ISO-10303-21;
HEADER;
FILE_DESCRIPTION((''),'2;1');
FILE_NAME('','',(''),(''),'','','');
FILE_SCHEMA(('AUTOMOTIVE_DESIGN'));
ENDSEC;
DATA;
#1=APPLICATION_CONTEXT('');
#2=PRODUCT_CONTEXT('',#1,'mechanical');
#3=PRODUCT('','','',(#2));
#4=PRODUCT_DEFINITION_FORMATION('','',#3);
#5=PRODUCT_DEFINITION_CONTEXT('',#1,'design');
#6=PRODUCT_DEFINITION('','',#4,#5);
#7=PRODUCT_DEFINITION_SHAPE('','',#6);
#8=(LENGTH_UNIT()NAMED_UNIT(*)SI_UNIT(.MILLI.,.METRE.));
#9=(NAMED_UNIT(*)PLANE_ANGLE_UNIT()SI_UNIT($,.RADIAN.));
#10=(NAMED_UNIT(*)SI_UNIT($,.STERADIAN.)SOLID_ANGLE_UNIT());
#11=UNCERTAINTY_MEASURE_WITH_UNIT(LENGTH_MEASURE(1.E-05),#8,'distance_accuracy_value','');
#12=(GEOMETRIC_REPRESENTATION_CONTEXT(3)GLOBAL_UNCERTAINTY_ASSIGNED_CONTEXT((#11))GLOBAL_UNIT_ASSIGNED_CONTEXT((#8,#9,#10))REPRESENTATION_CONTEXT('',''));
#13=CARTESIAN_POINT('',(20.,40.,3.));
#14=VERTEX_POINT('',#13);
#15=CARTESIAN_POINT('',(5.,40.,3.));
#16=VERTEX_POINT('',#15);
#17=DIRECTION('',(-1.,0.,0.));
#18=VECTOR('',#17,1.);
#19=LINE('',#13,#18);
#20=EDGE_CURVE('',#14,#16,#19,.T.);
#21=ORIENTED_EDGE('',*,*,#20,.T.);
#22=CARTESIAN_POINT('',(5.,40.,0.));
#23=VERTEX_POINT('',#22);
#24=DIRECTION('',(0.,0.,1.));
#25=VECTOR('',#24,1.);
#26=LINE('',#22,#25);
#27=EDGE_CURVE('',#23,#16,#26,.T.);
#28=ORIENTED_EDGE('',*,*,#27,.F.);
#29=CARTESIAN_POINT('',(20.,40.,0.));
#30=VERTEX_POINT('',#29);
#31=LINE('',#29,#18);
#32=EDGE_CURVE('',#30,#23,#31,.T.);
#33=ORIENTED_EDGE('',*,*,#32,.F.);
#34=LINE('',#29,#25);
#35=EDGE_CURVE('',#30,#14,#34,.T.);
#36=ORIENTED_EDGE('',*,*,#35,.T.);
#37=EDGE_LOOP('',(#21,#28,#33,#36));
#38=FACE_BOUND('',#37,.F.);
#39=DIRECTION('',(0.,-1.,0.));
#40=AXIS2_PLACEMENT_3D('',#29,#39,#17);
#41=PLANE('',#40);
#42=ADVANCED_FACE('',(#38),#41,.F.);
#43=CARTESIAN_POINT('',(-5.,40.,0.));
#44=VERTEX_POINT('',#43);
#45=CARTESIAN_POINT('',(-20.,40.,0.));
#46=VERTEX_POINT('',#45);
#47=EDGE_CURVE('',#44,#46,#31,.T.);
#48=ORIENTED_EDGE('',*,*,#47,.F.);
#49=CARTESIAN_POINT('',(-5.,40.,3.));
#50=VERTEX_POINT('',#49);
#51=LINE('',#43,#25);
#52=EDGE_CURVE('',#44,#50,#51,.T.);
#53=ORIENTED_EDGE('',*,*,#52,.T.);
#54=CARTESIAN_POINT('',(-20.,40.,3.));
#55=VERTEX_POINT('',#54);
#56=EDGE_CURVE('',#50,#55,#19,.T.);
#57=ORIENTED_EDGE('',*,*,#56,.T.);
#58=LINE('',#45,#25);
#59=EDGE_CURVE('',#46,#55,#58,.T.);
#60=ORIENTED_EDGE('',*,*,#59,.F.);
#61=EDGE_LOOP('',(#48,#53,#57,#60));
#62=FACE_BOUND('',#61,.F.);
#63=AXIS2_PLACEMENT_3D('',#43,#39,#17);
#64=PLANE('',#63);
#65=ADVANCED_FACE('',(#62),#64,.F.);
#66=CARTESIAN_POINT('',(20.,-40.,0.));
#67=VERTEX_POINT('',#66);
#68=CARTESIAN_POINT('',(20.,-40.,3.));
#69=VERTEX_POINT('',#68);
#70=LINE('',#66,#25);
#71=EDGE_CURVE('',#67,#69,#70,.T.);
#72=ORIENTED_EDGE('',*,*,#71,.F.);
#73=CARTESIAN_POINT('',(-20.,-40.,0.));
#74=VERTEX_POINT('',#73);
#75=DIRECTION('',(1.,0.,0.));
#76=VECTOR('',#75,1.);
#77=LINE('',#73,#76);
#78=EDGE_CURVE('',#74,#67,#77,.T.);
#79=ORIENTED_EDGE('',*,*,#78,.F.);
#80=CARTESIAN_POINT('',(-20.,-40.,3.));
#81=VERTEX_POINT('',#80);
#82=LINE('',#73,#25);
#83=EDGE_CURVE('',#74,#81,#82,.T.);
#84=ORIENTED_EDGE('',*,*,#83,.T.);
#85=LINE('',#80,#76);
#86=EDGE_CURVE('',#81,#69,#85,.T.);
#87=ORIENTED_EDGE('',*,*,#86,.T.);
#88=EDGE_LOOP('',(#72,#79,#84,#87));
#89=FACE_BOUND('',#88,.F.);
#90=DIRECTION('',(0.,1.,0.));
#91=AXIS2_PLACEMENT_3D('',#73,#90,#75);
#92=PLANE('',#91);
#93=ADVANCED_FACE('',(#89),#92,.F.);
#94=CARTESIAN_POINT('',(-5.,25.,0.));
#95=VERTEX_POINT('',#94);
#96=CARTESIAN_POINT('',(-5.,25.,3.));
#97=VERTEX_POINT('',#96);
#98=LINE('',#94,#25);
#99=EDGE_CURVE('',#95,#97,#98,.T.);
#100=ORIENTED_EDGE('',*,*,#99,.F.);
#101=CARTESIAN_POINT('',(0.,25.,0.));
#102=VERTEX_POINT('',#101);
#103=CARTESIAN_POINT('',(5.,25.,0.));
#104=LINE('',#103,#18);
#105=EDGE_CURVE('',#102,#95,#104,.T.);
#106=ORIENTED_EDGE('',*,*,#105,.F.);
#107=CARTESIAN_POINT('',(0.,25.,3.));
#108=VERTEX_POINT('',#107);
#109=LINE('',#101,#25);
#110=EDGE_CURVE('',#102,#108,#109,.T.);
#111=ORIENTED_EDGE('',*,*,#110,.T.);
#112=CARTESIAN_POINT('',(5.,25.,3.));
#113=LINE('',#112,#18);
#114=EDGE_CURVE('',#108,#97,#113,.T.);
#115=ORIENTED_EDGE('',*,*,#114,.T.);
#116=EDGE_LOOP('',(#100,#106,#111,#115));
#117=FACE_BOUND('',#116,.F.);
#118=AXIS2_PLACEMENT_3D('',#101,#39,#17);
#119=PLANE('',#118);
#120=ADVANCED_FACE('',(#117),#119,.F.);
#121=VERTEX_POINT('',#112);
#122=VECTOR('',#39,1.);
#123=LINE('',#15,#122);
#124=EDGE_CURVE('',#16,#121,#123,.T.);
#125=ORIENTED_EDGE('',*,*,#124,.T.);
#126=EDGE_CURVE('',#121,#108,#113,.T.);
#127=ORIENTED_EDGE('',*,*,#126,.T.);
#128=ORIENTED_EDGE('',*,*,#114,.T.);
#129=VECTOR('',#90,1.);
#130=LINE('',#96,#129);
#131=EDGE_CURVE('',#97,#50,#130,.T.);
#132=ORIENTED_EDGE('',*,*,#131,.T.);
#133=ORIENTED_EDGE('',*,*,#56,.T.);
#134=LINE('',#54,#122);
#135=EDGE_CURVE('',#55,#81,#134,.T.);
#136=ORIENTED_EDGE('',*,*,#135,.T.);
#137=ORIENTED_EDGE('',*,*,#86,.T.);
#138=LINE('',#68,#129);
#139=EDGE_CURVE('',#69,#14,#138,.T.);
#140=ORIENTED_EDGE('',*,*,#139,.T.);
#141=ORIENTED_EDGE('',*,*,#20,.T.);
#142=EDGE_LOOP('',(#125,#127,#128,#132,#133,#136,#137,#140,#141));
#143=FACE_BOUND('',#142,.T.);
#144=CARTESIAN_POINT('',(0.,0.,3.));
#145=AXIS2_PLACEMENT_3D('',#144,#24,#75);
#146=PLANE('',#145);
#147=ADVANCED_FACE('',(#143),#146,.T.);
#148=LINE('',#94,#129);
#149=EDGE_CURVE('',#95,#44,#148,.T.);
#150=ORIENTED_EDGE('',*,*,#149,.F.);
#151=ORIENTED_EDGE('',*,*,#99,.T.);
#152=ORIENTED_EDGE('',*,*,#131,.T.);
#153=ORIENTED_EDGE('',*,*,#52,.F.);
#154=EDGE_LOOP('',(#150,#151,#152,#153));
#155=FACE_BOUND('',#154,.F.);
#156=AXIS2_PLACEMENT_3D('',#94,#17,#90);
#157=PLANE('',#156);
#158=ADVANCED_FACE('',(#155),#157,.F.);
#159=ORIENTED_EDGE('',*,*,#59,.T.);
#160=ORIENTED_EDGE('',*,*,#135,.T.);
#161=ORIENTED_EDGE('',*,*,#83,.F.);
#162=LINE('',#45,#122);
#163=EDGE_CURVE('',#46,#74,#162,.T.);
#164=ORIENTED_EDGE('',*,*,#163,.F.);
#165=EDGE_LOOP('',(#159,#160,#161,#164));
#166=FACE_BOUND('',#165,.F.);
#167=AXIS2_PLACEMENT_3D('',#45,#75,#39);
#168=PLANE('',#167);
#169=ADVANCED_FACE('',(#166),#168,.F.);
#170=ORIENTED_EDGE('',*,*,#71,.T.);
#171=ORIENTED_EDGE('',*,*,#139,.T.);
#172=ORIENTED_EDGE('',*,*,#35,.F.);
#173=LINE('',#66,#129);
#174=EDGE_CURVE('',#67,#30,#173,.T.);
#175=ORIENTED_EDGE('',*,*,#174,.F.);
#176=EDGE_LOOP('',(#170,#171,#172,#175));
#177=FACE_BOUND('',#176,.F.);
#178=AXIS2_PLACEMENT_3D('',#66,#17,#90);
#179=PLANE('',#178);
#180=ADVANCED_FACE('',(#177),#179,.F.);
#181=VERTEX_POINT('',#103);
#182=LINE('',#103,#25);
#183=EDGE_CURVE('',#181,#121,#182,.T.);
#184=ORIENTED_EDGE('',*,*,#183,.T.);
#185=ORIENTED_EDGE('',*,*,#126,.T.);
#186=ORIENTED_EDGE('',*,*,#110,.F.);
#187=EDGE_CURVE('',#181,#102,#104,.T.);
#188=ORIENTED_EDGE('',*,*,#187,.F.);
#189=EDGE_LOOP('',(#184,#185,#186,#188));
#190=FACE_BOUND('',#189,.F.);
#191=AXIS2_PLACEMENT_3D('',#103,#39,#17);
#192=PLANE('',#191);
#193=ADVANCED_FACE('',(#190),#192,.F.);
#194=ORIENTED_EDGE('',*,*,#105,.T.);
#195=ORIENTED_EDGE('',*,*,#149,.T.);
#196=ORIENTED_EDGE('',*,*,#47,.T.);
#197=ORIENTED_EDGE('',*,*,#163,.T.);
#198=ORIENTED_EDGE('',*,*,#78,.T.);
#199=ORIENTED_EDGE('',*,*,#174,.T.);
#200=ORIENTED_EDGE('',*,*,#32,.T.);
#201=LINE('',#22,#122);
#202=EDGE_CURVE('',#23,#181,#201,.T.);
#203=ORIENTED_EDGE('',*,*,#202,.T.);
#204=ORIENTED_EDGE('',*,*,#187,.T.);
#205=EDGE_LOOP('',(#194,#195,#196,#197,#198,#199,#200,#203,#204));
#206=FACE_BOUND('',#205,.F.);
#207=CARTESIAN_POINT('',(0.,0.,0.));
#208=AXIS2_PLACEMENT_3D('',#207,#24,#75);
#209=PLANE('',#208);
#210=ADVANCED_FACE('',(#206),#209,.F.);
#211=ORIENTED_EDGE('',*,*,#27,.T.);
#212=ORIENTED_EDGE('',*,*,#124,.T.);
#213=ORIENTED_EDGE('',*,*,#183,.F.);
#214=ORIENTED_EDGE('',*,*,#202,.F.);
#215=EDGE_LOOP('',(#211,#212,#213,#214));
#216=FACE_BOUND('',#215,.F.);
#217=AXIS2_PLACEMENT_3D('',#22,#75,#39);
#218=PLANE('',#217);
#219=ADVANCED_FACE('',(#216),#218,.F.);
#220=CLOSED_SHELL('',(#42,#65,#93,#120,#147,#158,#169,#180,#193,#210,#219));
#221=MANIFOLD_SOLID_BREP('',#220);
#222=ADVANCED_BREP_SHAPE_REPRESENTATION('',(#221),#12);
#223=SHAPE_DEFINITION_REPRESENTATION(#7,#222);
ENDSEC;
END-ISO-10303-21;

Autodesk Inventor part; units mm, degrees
ref_plane "YZ Plane" through (0, 0, 0) normal (1, 0, 0) x (0, 1, 0)
ref_plane "XZ Plane" through (0, 0, 0) normal (0, 1, 0) x (-1, 0, 0)
ref_plane "XY Plane" through (0, 0, 0) normal (0, 0, 1) x (1, 0, 0)
sketch "Sketch1" plane through (0, 0, 0) normal (0, 0, 1) x (1, 0, 0)
  line L0 (-20, -40) -> (20, -40)
  line L1 (20, -40) -> (20, 40)
  line L2 (20, 40) -> (-20, 40)
  line L3 (-20, 40) -> (-20, -40)
  line L4 (-20, -40) -> (20, 40) construction
  line L5 (20, -40) -> (-20, 40) construction
  line L6 (-5, 40) -> (5, 40)
  line L7 (5, 40) -> (5, 25)
  line L8 (5, 25) -> (-5, 25)
  line L9 (-5, 25) -> (-5, 40)
  line L10 (0, 40) -> (0, 0)
  dimension "d0" = 40
  dimension "d1" = 80
  dimension "d2" = 15
  dimension "d3" = 10
extrude "Plate1" add sketch "Sketch1" along normal blind 3 contours L3 L2 L9 L8 L7 L1 L0
equation "\"d4\" = Thickness"
equation "\"BendRadius\" = Thickness"
equation "\"BendReliefWidth\" = Thickness"
equation "\"BendReliefDepth\" = 0.5 * Thickness"
equation "\"CornerReliefSize\" = 4 * Thickness"
equation "\"MinimumRemnant\" = 2 * Thickness"
equation "\"TransitionRadius\" = BendRadius"
equation "\"JacobiRadiusSize\" = BendRadius"
equation "\"GapSize\" = Thickness"
equation "\"Thickness\" = 3"
properties part number "ramp extension"
